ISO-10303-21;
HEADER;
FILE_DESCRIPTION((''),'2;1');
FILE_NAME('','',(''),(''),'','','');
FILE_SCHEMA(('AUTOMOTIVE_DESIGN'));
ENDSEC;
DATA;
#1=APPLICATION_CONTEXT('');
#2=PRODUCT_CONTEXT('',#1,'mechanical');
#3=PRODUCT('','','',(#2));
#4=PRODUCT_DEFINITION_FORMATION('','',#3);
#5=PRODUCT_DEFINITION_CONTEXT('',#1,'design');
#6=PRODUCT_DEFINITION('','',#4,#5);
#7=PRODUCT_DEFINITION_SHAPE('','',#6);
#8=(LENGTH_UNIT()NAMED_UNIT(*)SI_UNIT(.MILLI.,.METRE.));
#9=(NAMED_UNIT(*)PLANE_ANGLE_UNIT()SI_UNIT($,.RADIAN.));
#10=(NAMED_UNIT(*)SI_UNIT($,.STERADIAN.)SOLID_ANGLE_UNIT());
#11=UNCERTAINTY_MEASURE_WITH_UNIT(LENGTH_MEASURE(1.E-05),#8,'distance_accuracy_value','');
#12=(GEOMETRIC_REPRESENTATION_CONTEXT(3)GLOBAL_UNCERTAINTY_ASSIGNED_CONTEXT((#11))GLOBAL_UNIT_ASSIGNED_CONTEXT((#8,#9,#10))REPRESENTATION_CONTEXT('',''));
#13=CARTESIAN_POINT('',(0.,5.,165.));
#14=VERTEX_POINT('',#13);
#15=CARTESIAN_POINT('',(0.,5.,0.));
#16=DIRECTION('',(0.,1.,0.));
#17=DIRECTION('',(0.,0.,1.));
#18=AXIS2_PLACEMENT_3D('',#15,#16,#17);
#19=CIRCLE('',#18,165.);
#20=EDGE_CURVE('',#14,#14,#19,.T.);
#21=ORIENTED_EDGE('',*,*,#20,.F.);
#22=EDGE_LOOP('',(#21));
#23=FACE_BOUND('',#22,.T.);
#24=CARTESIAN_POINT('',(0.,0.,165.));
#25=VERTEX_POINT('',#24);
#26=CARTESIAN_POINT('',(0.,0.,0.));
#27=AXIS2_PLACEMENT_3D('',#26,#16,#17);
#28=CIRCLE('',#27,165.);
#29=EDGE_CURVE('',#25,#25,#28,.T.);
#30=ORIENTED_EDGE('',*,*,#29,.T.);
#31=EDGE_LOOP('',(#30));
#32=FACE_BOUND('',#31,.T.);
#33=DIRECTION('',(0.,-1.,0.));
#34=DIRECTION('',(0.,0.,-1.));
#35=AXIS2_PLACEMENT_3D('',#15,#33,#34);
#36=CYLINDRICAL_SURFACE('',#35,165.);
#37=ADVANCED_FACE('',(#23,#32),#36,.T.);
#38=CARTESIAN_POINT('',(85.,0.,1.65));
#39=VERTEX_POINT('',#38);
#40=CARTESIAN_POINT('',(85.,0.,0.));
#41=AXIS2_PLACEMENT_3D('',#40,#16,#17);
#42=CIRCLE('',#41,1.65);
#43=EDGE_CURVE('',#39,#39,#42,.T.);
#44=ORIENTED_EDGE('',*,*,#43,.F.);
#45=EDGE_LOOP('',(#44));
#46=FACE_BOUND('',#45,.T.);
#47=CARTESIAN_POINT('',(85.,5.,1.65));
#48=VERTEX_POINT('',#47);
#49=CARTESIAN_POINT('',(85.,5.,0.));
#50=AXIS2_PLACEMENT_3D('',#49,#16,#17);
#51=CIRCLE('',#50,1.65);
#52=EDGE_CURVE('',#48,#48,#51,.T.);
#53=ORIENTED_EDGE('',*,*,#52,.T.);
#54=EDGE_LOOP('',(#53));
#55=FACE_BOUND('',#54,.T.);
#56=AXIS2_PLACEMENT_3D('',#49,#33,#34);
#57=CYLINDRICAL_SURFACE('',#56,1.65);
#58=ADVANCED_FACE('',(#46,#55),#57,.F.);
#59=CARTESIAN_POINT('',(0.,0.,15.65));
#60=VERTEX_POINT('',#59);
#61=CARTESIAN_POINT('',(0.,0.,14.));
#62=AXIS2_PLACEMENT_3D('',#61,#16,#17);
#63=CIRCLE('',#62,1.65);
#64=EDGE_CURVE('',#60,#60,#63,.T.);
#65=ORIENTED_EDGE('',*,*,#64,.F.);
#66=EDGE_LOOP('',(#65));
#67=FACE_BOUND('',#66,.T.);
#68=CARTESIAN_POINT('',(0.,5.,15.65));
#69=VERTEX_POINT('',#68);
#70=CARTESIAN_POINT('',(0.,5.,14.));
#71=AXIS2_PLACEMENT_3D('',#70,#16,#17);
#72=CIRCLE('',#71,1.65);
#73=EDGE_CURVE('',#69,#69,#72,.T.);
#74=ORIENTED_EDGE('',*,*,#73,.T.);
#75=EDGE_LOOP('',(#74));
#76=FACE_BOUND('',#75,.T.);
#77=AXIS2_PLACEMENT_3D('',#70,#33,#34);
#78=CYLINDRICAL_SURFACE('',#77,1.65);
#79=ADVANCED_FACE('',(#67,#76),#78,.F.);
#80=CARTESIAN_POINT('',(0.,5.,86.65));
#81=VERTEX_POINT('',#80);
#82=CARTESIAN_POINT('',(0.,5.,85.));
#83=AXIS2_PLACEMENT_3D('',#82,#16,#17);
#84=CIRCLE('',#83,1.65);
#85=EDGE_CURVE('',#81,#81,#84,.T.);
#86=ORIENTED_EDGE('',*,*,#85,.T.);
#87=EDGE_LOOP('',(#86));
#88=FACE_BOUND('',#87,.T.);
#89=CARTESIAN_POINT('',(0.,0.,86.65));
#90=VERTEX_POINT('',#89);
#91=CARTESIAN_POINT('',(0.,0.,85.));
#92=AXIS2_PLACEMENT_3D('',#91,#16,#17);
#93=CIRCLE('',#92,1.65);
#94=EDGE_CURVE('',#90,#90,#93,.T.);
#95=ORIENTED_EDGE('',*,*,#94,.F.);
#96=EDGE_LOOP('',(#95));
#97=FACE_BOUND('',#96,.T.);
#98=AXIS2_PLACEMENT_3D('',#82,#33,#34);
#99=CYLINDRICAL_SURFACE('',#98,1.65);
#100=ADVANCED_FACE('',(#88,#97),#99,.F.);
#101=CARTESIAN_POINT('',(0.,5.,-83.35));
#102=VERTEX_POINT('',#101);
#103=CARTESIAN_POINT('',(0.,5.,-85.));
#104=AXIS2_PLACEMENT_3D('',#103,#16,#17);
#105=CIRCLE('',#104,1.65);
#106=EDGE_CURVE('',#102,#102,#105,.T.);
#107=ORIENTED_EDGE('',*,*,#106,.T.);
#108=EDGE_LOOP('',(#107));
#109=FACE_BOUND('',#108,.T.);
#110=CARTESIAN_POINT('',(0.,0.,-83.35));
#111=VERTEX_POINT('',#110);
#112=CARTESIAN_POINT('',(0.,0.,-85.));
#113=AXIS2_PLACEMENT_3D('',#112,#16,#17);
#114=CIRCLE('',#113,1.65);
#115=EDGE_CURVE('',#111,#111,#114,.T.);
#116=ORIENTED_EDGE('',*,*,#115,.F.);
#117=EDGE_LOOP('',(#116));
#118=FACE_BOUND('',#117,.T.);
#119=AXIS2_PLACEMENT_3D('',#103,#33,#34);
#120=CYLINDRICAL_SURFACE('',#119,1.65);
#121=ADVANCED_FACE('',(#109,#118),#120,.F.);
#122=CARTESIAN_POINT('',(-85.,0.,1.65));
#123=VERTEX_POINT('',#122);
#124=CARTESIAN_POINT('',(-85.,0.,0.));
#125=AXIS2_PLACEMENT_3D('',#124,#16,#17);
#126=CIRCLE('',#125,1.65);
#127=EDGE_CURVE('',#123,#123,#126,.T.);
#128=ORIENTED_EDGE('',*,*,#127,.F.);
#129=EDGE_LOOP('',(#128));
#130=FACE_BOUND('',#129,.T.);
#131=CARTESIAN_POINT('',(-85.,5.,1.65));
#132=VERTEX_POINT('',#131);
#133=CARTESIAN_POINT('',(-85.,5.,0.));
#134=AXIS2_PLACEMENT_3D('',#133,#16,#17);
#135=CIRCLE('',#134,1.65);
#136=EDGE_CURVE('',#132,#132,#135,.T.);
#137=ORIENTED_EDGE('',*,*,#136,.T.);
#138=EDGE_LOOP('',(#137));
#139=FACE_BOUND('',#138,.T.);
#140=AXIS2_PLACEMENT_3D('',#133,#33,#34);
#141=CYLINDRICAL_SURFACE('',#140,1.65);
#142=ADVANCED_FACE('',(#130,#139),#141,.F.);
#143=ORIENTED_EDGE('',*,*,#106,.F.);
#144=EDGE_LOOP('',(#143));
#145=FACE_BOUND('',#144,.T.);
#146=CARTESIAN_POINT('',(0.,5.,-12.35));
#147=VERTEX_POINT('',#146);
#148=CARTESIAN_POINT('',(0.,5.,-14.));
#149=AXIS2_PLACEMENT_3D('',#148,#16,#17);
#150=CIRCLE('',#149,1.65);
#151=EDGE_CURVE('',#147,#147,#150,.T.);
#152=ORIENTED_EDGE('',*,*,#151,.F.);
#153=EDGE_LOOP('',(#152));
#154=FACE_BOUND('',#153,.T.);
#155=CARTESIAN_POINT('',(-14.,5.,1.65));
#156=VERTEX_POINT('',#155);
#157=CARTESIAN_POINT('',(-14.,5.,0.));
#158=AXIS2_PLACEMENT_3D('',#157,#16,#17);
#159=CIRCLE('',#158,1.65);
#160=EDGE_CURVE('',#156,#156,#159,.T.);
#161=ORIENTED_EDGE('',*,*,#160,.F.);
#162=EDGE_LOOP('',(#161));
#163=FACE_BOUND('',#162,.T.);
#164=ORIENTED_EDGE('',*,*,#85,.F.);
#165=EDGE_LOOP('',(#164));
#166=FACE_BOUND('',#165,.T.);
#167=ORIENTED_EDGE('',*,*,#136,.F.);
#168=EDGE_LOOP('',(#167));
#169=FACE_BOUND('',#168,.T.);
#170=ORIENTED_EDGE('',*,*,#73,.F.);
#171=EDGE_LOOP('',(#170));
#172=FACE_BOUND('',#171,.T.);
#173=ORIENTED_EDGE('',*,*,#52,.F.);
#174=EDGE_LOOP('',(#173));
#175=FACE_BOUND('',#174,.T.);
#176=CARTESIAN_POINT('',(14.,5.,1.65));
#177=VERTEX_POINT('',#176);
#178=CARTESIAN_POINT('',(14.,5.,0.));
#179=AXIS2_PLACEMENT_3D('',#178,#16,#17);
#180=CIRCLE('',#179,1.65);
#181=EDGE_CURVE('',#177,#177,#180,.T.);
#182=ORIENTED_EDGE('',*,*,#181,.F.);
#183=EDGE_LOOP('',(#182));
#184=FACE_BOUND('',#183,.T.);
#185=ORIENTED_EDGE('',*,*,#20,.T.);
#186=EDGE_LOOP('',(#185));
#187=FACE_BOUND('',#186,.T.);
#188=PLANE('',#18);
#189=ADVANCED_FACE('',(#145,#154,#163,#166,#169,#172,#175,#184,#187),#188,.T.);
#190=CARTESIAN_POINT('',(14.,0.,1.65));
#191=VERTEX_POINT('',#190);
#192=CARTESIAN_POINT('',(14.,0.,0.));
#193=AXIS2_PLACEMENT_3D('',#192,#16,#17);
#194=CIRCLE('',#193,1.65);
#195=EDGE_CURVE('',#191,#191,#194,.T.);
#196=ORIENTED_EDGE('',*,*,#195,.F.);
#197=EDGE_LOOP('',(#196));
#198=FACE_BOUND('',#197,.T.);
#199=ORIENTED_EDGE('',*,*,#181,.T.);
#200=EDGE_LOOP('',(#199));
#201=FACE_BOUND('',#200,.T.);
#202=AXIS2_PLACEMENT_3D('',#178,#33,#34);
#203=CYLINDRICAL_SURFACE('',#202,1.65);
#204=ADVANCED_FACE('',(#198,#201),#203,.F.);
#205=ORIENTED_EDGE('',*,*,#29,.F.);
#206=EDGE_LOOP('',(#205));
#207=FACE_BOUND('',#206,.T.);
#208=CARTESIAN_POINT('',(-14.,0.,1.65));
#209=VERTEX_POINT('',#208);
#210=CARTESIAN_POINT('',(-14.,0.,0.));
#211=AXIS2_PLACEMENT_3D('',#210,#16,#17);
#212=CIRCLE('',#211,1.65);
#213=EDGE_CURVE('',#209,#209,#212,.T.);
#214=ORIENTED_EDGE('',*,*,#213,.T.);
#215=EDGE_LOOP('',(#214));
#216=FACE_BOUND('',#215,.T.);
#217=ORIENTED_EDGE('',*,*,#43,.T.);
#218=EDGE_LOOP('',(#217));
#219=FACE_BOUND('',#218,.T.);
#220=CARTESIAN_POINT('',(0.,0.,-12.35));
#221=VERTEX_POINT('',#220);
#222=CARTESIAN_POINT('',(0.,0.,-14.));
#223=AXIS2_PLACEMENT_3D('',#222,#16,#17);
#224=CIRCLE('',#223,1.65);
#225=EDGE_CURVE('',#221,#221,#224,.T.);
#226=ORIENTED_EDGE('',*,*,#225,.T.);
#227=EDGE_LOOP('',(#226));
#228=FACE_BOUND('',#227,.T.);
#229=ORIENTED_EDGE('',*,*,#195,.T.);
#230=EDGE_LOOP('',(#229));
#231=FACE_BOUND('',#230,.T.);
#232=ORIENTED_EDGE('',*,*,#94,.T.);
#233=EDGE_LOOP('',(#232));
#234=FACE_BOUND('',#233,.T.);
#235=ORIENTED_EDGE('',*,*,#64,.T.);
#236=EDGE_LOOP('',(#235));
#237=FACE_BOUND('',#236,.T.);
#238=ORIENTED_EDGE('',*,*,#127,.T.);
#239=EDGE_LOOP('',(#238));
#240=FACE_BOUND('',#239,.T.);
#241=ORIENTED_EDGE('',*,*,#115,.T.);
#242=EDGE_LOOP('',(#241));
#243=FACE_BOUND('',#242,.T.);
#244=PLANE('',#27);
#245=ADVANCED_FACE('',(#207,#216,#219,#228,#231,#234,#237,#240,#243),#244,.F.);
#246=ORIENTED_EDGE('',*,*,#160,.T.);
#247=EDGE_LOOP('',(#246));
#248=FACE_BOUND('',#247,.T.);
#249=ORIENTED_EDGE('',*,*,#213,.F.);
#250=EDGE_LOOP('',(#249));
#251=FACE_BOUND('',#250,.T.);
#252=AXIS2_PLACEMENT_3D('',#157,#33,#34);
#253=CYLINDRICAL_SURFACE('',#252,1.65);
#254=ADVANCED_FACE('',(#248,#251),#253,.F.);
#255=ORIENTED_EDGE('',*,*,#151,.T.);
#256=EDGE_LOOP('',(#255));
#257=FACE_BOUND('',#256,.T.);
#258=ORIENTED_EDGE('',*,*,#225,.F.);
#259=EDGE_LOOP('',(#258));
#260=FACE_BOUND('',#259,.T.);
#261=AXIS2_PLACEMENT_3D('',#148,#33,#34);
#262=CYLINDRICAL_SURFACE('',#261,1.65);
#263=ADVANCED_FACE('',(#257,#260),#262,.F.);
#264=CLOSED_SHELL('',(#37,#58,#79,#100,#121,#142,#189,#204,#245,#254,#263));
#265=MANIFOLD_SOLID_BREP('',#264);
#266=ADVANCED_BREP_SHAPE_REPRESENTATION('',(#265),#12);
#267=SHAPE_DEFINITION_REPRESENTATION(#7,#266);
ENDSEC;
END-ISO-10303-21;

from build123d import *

# Parameters (mm, degrees)
SKETCH1_R           = 165
SKETCH1_R_2         = 1.65
BOSS_EXTRUDE1_DEPTH = 5


with BuildPart() as part:
    # Sketch1 → Boss-Extrude1 (new body)
    with BuildSketch(Plane(origin=(0, 0, 0), x_dir=(1, 0, 0), z_dir=(0, 1, 0))):
        with Locations(Location((0, 0, 0), (0, 0, 270))):
            Circle(SKETCH1_R)
        with Locations(Location((14, 0, 0), (0, 0, 270))):
            Circle(SKETCH1_R_2, mode=Mode.SUBTRACT)
        with Locations(Location((0, -14, 0), (0, 0, 270))):
            Circle(SKETCH1_R_2, mode=Mode.SUBTRACT)
        with Locations(Location((-14, 0, 0), (0, 0, 270))):
            Circle(SKETCH1_R_2, mode=Mode.SUBTRACT)
        with Locations(Location((0, 14, 0), (0, 0, 270))):
            Circle(SKETCH1_R_2, mode=Mode.SUBTRACT)
        with Locations(Location((85, 0, 0), (0, 0, 270))):
            Circle(SKETCH1_R_2, mode=Mode.SUBTRACT)
        with Locations(Location((0, -85, 0), (0, 0, 270))):
            Circle(SKETCH1_R_2, mode=Mode.SUBTRACT)
        with Locations(Location((-85, 0, 0), (0, 0, 270))):
            Circle(SKETCH1_R_2, mode=Mode.SUBTRACT)
        with Locations(Location((0, 85, 0), (0, 0, 270))):
            Circle(SKETCH1_R_2, mode=Mode.SUBTRACT)
    extrude(amount=BOSS_EXTRUDE1_DEPTH)


solid = part.part
